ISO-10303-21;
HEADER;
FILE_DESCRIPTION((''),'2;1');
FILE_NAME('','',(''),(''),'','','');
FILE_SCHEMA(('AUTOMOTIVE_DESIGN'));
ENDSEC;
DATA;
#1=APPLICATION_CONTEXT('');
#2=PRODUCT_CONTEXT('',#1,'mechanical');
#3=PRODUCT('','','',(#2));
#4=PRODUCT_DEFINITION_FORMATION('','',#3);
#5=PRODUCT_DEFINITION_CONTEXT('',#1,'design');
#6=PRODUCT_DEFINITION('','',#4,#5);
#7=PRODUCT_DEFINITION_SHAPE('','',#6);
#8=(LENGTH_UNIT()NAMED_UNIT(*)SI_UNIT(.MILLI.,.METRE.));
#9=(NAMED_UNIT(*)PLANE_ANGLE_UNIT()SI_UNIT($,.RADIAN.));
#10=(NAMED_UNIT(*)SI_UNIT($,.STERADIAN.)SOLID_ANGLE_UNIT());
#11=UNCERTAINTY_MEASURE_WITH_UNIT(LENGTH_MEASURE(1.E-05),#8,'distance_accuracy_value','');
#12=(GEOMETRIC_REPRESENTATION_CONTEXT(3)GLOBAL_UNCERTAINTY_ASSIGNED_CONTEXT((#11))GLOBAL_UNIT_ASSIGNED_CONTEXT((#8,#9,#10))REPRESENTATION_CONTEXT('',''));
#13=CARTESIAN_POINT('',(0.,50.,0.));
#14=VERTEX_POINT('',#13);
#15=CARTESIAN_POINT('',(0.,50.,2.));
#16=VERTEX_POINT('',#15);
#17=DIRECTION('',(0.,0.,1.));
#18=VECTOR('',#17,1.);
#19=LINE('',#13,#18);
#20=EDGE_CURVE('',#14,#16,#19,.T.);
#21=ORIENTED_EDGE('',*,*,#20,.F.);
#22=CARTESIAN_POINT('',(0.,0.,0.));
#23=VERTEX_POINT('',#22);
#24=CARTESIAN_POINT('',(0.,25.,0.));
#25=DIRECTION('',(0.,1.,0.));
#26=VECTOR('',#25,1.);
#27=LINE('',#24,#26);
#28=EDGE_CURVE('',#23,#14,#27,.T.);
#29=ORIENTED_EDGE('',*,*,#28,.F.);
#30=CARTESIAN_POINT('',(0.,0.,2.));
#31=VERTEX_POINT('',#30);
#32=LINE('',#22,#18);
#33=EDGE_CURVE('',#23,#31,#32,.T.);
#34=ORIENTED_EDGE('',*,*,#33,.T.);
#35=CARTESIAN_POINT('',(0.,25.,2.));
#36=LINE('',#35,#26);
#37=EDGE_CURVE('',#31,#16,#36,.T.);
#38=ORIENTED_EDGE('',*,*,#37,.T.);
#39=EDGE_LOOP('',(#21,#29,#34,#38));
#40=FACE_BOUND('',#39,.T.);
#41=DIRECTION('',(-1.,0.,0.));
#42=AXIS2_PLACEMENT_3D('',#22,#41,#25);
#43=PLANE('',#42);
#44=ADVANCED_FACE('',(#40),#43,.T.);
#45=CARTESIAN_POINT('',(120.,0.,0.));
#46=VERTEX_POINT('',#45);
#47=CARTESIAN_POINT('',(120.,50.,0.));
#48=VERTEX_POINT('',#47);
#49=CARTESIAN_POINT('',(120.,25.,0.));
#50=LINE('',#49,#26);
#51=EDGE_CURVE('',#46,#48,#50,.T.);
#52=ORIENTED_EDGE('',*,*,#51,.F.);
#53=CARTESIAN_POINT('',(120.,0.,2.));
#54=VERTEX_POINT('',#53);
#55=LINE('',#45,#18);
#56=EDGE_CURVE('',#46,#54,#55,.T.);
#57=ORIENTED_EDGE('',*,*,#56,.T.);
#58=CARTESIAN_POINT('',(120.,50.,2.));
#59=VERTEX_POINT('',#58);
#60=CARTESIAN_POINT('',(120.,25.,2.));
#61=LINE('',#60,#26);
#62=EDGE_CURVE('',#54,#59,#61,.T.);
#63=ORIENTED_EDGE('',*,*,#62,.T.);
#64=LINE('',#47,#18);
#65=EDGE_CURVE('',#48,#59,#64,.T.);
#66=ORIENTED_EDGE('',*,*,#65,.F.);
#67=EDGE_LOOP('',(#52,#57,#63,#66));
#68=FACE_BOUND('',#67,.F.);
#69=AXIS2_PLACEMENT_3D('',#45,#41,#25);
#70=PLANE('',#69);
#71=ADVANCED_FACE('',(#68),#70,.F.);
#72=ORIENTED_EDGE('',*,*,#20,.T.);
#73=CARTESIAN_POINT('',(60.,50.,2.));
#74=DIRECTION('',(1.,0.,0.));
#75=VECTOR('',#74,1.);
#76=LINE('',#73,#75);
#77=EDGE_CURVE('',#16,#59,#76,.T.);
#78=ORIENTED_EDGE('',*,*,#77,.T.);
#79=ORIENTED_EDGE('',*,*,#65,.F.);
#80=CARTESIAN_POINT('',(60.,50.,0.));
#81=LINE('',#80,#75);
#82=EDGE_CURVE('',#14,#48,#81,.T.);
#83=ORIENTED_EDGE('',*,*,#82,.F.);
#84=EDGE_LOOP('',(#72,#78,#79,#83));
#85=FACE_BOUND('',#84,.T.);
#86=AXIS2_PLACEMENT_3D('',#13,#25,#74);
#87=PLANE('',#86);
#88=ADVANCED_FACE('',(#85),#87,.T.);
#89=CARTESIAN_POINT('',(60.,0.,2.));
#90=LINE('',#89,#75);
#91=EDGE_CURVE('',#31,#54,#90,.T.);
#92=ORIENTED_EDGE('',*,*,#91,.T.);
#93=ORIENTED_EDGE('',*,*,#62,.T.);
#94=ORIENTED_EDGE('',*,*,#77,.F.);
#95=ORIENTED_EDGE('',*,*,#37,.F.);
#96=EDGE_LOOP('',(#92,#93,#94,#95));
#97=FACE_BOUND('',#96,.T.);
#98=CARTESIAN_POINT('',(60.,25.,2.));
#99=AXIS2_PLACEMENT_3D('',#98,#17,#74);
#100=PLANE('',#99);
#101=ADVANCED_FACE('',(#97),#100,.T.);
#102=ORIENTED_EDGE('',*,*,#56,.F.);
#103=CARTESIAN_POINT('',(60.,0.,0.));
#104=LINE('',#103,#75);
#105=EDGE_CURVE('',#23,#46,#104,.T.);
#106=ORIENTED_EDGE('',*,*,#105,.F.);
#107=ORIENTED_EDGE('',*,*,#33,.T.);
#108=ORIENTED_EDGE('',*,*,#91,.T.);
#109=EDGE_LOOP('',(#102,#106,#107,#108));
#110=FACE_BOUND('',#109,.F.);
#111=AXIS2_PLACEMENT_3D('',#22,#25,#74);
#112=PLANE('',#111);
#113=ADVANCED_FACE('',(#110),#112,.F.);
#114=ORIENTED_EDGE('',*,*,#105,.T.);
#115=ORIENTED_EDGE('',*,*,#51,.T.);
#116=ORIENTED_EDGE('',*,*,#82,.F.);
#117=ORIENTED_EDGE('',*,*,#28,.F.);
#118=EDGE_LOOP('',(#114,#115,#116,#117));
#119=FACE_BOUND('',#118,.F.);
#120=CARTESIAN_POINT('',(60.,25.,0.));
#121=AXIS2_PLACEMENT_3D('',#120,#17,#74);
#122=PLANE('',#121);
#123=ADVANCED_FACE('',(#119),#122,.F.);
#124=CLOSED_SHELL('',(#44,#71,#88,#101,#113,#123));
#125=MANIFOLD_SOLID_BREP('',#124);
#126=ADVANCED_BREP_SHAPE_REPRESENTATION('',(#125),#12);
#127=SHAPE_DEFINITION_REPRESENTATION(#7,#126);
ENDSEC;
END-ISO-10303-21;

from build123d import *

# Parameters (mm, degrees)
SKETCH_W  = 120
SKETCH_H  = 50
PAD_DEPTH = 2


with BuildPart() as part:
    # Sketch → Pad (new body)
    with BuildSketch(Plane.XY):
        with Locations((60, 25)):
            Rectangle(SKETCH_W, SKETCH_H)
    extrude(amount=PAD_DEPTH)


solid = part.part
